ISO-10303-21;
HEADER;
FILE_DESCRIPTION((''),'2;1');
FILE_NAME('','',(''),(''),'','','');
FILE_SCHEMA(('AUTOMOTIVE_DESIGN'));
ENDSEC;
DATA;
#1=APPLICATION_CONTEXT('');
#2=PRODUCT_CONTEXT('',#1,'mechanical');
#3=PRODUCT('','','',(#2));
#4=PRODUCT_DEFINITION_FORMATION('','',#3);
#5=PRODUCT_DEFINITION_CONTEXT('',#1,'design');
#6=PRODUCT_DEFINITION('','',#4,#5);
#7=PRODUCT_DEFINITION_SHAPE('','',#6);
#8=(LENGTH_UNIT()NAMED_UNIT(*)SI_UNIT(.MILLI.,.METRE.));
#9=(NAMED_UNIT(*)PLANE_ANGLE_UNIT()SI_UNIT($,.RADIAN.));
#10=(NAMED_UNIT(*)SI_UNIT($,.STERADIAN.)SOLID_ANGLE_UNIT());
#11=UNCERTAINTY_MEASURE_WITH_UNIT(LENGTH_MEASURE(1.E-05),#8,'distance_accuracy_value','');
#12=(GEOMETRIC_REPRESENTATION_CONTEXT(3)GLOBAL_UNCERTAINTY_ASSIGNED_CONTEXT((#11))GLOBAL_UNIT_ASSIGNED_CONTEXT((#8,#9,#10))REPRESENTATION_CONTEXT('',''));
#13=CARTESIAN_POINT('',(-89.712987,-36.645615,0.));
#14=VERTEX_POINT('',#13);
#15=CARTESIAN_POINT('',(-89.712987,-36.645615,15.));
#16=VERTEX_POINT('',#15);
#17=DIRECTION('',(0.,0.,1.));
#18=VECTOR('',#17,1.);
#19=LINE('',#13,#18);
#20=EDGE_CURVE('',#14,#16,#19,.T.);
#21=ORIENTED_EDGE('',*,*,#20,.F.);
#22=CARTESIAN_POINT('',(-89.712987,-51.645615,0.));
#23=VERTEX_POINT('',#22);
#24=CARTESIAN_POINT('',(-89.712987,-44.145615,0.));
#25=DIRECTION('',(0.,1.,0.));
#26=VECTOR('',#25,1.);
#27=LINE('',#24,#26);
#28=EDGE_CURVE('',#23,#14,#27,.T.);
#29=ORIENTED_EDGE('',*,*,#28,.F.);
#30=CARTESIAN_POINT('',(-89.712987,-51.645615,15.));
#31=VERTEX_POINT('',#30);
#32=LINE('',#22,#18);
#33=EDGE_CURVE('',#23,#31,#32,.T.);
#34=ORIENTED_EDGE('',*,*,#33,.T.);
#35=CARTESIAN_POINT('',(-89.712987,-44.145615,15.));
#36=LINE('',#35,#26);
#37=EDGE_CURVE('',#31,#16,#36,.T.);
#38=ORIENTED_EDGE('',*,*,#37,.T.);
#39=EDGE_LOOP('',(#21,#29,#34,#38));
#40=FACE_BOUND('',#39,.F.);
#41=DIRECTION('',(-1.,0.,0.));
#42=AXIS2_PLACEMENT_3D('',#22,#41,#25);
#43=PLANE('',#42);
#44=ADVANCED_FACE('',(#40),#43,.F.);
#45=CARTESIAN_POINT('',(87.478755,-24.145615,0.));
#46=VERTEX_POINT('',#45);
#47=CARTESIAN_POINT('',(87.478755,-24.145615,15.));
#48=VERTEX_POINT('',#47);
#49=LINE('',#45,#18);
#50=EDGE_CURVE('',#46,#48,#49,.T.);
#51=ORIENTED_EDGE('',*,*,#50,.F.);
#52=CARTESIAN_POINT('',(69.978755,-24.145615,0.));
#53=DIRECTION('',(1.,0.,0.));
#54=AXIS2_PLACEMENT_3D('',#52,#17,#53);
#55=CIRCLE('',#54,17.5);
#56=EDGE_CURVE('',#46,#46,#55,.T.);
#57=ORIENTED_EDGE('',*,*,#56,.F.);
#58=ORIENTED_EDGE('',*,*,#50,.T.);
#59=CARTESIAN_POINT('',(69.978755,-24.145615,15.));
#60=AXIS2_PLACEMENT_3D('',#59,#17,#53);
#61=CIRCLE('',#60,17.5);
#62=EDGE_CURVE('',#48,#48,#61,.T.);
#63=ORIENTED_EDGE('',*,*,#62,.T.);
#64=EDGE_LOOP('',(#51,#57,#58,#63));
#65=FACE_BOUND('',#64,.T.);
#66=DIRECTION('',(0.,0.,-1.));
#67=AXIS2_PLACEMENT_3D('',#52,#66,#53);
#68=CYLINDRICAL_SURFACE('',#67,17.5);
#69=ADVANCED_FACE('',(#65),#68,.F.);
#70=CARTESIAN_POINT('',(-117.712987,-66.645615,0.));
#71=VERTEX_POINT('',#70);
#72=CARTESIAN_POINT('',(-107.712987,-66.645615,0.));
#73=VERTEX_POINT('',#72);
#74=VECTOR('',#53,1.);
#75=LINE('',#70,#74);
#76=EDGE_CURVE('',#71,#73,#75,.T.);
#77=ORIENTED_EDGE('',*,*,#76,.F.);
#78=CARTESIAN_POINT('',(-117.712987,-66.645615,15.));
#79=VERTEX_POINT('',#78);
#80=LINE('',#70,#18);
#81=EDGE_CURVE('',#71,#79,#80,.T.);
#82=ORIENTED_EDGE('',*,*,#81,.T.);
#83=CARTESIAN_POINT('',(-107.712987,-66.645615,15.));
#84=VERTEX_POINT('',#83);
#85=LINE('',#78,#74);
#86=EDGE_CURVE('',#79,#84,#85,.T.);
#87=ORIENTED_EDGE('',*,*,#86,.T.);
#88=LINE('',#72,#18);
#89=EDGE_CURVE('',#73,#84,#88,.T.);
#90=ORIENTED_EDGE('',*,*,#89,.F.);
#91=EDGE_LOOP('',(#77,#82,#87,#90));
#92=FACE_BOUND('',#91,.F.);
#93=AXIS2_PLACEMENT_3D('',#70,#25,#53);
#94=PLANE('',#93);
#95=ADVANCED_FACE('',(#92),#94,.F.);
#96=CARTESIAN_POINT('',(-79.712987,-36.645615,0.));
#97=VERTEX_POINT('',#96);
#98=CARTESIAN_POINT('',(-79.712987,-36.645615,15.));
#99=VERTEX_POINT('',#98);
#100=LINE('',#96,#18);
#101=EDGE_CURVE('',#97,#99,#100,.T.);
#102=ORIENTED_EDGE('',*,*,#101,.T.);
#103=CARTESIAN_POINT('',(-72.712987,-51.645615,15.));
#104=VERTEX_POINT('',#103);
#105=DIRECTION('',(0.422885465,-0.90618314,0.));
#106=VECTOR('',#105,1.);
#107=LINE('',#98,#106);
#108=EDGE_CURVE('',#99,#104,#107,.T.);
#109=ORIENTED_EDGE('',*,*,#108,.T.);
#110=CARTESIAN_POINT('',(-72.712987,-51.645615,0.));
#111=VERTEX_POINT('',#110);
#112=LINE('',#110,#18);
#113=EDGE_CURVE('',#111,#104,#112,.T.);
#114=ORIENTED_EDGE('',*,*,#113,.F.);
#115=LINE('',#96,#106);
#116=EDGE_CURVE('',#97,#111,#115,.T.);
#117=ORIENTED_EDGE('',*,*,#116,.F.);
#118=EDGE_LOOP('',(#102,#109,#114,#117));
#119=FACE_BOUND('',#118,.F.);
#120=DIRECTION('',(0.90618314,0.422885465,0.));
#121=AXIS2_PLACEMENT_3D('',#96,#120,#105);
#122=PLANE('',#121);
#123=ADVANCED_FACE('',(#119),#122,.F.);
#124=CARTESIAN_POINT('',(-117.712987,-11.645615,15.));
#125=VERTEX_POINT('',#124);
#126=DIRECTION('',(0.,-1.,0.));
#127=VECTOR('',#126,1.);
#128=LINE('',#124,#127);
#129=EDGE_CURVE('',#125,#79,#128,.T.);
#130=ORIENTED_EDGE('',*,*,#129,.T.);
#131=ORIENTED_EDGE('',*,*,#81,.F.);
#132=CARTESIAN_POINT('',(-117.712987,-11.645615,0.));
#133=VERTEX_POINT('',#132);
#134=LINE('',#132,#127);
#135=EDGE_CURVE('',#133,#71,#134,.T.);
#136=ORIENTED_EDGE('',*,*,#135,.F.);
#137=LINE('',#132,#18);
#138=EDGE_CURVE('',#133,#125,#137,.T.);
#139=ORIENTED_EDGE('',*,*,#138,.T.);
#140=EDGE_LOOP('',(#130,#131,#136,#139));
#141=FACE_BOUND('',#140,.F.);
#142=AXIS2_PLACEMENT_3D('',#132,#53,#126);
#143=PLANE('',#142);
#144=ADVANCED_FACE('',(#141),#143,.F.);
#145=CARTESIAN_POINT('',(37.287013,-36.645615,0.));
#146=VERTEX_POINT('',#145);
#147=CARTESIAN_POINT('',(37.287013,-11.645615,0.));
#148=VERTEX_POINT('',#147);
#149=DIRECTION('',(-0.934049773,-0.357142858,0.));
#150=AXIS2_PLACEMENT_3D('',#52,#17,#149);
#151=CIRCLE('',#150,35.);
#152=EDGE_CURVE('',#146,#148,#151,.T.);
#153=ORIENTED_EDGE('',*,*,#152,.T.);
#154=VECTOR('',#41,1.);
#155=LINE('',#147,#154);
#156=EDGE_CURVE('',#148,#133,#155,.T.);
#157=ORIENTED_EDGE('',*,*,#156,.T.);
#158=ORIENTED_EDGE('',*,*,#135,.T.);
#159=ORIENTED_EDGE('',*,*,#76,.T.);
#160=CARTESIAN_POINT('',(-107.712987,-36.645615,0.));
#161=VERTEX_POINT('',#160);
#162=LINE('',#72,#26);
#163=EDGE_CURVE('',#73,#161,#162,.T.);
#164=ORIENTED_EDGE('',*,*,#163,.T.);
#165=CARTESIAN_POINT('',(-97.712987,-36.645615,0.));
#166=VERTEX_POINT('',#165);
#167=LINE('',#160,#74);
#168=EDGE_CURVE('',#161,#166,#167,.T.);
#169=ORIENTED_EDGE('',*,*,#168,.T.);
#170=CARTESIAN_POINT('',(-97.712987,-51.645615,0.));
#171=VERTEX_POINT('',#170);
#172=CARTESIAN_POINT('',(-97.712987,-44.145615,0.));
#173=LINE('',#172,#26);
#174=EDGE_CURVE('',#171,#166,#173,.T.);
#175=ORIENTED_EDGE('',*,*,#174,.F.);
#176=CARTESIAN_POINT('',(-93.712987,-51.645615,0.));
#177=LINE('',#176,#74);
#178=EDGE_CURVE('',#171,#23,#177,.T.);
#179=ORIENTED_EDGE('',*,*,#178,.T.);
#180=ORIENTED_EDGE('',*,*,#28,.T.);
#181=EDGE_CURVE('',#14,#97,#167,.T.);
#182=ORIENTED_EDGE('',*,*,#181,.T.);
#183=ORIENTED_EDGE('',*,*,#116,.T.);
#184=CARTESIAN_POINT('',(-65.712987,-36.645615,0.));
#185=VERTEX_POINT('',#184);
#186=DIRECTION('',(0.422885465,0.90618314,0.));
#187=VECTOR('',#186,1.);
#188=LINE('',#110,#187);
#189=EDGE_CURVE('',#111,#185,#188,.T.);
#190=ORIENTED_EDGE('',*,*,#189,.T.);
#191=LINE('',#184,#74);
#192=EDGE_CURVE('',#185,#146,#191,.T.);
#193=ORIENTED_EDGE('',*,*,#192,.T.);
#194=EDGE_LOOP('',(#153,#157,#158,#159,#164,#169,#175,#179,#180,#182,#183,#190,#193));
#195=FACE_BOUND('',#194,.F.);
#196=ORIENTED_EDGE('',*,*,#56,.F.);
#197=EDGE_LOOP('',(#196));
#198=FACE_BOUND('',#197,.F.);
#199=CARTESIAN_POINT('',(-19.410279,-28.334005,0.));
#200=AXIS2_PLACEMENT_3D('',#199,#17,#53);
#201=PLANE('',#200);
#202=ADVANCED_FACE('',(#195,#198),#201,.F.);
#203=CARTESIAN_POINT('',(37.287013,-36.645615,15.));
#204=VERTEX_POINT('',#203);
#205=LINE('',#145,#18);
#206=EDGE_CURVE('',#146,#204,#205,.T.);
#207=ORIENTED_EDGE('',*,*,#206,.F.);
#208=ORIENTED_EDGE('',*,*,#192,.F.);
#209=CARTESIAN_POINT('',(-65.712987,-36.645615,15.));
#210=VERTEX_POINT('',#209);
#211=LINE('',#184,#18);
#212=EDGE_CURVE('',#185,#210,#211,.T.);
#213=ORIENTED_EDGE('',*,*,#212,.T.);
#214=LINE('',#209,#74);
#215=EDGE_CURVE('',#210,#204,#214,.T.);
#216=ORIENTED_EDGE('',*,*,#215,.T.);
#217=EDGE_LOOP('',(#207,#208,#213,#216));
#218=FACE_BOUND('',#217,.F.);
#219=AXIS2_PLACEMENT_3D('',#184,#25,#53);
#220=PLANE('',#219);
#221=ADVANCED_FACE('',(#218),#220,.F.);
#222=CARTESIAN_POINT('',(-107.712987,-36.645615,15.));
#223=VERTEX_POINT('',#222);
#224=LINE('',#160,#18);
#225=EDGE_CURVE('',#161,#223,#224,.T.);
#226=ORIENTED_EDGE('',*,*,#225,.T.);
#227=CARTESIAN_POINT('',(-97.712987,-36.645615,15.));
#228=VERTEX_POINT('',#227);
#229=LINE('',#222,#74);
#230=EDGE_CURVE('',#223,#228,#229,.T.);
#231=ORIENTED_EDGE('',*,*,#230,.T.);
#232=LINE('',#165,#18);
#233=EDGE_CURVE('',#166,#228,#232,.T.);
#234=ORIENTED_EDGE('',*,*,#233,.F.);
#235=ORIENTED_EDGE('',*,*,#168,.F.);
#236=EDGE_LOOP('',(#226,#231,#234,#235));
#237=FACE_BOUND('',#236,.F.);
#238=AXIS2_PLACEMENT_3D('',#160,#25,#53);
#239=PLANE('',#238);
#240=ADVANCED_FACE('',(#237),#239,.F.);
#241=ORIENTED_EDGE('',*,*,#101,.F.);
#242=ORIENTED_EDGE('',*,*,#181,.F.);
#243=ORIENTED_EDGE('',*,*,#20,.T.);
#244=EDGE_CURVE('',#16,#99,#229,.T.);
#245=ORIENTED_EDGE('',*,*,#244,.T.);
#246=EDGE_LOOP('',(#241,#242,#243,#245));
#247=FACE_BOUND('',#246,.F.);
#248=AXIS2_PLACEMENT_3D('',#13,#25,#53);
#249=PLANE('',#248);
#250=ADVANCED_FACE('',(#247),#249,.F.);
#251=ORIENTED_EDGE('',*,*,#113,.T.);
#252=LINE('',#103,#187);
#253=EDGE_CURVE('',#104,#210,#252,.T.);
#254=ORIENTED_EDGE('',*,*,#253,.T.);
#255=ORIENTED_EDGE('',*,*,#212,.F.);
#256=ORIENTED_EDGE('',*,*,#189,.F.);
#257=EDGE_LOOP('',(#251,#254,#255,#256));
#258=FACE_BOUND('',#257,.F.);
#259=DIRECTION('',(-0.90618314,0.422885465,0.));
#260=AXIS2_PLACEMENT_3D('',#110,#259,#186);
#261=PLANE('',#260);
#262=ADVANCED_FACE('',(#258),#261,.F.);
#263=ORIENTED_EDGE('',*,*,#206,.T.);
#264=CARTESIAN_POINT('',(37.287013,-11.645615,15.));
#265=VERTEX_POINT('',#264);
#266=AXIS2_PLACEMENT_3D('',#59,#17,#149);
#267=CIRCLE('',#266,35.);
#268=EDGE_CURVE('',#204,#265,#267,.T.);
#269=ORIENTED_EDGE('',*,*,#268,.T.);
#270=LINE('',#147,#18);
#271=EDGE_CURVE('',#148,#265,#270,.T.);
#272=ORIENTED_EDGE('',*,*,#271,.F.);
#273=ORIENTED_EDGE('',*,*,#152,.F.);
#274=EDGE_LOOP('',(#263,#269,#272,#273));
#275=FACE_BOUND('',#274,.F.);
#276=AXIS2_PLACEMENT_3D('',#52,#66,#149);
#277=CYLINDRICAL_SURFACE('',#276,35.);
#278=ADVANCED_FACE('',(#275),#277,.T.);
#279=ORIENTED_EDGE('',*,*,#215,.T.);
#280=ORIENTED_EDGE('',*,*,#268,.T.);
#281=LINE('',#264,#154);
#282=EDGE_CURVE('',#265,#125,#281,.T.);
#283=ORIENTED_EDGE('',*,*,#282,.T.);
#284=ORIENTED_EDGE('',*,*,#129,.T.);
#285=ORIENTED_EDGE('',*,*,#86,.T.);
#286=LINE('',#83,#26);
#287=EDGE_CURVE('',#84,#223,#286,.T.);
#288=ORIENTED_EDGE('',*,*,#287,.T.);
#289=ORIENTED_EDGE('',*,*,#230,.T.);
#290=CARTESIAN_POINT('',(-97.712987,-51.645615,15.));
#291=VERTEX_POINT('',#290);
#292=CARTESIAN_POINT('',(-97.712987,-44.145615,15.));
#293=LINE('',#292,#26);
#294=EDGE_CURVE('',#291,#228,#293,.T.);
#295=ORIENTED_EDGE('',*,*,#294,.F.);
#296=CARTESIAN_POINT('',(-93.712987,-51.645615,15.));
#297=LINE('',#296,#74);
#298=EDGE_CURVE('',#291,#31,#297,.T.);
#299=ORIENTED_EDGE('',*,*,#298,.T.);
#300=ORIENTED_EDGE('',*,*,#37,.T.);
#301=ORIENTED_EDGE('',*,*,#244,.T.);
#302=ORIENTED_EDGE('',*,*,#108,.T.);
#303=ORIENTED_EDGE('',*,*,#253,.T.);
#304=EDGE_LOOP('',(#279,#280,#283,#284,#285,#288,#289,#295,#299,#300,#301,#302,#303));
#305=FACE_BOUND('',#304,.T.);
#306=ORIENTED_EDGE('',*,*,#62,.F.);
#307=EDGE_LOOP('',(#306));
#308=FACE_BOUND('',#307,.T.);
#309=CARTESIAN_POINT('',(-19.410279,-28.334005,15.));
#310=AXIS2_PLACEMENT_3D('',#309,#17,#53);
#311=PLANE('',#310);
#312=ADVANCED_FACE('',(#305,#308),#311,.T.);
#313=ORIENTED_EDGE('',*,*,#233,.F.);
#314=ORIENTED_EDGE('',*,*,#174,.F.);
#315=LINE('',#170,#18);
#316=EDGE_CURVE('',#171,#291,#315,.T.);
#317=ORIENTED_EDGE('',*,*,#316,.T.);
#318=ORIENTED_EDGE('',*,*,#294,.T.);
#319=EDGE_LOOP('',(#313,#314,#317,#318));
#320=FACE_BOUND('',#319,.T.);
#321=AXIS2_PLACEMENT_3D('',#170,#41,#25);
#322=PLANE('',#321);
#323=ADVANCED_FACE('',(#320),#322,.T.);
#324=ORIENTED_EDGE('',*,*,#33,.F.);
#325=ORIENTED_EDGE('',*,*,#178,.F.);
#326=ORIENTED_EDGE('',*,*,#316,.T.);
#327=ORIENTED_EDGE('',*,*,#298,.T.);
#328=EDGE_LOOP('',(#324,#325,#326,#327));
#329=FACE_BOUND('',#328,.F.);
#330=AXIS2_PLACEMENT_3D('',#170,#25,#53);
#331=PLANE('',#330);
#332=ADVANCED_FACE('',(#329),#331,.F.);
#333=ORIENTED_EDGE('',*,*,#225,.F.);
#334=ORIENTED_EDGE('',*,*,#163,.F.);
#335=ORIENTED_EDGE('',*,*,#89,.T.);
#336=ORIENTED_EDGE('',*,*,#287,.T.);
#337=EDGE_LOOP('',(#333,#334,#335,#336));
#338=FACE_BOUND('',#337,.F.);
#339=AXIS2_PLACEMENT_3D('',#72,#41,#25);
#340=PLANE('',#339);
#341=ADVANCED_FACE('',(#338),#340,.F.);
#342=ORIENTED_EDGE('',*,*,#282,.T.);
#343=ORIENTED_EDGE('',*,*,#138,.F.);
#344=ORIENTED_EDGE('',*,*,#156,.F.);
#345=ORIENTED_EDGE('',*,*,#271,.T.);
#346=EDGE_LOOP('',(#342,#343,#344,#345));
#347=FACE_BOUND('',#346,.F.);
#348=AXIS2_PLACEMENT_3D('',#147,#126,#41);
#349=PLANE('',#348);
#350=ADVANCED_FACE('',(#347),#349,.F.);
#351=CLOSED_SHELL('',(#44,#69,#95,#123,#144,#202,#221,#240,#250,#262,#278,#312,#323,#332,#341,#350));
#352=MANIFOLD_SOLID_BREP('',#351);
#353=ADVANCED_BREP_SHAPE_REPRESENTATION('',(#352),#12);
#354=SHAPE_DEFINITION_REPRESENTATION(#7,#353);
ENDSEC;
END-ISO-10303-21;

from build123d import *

# Parameters (mm, degrees)
F0_R     = 17.5
F0_W     = 8
F0_H     = 15
F1_DEPTH = 15


with BuildPart() as f1:
    # F0 (on Top) → F1 (new body)
    with BuildSketch(Plane.XY):
        with BuildLine():
            Line((37.287013, -11.645615), (-117.712987, -11.645615))
            Line((-117.712987, -11.645615), (-117.712987, -36.645615))
            Line((-117.712987, -36.645615), (-117.712987, -66.645615))
            Line((-117.712987, -66.645615), (-107.712987, -66.645615))
            Line((-107.712987, -66.645615), (-107.712987, -36.645615))
            Line((-107.712987, -36.645615), (-97.712987, -36.645615))
            Line((-97.712987, -36.645615), (-89.712987, -36.645615))
            Line((-89.712987, -36.645615), (-79.712987, -36.645615))
            Line((-79.712987, -36.645615), (-72.712987, -51.645615))
            Line((-72.712987, -51.645615), (-65.712987, -36.645615))
            Line((-65.712987, -36.645615), (37.287013, -36.645615))
            ThreePointArc((37.287013, -36.645615), (104.978755, -24.145615), (37.287013, -11.645615))
        make_face()
        with Locations((69.978755, -24.145615)):
            Circle(F0_R, mode=Mode.SUBTRACT)
        with Locations((-93.712987, -44.145615)):
            Rectangle(F0_W, F0_H)
    extrude(amount=F1_DEPTH)


solid = f1.part
